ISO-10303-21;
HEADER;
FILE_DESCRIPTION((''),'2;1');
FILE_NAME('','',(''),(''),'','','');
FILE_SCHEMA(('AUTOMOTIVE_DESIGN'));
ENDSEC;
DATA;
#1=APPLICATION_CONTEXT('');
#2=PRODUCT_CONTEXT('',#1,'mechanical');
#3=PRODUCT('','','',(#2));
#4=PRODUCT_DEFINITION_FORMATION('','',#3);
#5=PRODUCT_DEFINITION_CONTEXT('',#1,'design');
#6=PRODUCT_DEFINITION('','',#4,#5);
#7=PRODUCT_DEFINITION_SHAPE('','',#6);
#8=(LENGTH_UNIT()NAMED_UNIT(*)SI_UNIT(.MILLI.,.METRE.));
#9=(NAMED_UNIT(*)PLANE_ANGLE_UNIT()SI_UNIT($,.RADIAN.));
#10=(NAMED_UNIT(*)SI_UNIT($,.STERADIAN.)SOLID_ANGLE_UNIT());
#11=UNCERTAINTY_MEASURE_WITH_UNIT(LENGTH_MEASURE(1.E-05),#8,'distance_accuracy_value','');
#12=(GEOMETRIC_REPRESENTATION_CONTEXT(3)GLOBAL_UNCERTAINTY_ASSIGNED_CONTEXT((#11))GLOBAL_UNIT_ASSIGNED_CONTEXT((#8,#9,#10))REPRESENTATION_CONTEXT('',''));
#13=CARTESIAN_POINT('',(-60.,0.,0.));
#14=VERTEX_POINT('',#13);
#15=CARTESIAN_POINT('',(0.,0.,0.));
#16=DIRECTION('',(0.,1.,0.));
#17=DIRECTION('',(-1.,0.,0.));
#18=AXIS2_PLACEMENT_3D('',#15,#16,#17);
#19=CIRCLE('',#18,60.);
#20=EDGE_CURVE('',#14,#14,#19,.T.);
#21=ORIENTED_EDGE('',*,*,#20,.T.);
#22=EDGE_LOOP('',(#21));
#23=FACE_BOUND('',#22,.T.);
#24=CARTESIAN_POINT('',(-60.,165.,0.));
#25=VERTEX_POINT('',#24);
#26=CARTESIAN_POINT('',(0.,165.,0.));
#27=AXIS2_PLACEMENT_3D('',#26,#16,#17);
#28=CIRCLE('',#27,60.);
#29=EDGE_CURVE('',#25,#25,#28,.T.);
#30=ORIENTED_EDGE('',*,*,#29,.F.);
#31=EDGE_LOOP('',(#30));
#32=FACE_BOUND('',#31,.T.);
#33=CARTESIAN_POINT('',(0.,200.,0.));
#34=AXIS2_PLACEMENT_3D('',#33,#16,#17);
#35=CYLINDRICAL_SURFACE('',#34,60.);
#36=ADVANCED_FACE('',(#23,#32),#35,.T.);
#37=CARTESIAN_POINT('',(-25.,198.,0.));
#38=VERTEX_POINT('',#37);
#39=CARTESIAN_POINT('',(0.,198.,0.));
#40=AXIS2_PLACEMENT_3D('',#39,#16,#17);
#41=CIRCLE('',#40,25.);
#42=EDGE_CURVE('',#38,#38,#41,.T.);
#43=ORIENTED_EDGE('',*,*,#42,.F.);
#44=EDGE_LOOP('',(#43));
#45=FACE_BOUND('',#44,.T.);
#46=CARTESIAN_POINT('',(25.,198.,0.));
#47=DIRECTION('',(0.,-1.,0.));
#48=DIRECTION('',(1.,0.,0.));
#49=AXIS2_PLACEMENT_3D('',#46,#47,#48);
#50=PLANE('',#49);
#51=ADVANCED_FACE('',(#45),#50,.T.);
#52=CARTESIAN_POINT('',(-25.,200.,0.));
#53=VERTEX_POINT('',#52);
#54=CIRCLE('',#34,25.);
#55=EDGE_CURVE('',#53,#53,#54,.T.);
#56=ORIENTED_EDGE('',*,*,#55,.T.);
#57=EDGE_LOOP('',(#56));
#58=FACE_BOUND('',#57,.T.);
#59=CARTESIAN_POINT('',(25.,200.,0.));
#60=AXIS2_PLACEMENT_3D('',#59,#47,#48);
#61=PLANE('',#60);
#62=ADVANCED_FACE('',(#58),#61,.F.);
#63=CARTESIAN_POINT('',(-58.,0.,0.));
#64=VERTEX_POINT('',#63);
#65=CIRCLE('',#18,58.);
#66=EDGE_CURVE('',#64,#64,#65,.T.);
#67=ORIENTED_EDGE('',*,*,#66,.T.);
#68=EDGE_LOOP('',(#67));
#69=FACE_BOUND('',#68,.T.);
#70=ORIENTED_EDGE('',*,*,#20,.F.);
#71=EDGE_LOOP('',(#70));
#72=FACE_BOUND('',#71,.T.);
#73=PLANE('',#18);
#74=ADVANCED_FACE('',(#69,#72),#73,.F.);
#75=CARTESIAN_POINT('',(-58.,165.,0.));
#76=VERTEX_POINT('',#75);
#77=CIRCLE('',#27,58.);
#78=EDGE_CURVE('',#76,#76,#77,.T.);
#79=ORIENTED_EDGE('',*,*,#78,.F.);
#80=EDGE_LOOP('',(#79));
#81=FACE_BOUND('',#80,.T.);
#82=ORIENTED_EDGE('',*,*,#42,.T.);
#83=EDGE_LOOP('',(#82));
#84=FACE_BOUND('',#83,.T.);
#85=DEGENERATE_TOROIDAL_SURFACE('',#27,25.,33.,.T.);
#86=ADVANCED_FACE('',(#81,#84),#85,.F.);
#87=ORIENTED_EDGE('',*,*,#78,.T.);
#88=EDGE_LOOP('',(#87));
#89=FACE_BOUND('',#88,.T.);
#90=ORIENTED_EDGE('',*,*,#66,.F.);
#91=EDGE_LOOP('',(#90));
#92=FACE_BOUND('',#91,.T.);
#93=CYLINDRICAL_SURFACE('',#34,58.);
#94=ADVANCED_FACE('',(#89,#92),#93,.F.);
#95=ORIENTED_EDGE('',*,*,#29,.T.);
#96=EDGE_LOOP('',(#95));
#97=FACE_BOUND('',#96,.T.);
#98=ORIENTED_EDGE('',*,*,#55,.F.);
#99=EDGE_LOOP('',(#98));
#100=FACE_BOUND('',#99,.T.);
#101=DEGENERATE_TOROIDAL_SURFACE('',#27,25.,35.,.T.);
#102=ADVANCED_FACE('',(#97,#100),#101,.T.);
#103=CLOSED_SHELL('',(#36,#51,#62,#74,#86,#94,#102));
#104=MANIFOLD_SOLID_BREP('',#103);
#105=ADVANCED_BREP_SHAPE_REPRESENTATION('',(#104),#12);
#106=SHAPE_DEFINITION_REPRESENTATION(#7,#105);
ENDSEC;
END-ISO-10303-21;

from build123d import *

# Parameters (mm, degrees)
SHELL4_T = -2


with BuildPart() as part:
    # Sketch1 → Revolve4 (revolve)
    with BuildSketch(Plane.XY, mode=Mode.PRIVATE) as revolve4_sk:
        with BuildLine():
            Line((0, 0), (60, 0))
            Line((60, 0), (60, 165))
            ThreePointArc((60, 165), (49.748737342, 189.748737342), (25, 200))
            Line((25, 200), (0, 200))
            Line((0, 200), (0, 0))
        make_face()
    revolve(revolve4_sk.sketch.rotate(Axis((0, 200, 0), (0, -1, 0)), 180), axis=Axis((0, 200, 0), (0, -1, 0)))

    # Shell4
    shell4_openings = [part.faces().sort_by_distance(p)[0] for p in [
        (0, 0, 0),
    ]]
    offset(amount=SHELL4_T, openings=shell4_openings, kind=Kind.INTERSECTION)


solid = part.part
